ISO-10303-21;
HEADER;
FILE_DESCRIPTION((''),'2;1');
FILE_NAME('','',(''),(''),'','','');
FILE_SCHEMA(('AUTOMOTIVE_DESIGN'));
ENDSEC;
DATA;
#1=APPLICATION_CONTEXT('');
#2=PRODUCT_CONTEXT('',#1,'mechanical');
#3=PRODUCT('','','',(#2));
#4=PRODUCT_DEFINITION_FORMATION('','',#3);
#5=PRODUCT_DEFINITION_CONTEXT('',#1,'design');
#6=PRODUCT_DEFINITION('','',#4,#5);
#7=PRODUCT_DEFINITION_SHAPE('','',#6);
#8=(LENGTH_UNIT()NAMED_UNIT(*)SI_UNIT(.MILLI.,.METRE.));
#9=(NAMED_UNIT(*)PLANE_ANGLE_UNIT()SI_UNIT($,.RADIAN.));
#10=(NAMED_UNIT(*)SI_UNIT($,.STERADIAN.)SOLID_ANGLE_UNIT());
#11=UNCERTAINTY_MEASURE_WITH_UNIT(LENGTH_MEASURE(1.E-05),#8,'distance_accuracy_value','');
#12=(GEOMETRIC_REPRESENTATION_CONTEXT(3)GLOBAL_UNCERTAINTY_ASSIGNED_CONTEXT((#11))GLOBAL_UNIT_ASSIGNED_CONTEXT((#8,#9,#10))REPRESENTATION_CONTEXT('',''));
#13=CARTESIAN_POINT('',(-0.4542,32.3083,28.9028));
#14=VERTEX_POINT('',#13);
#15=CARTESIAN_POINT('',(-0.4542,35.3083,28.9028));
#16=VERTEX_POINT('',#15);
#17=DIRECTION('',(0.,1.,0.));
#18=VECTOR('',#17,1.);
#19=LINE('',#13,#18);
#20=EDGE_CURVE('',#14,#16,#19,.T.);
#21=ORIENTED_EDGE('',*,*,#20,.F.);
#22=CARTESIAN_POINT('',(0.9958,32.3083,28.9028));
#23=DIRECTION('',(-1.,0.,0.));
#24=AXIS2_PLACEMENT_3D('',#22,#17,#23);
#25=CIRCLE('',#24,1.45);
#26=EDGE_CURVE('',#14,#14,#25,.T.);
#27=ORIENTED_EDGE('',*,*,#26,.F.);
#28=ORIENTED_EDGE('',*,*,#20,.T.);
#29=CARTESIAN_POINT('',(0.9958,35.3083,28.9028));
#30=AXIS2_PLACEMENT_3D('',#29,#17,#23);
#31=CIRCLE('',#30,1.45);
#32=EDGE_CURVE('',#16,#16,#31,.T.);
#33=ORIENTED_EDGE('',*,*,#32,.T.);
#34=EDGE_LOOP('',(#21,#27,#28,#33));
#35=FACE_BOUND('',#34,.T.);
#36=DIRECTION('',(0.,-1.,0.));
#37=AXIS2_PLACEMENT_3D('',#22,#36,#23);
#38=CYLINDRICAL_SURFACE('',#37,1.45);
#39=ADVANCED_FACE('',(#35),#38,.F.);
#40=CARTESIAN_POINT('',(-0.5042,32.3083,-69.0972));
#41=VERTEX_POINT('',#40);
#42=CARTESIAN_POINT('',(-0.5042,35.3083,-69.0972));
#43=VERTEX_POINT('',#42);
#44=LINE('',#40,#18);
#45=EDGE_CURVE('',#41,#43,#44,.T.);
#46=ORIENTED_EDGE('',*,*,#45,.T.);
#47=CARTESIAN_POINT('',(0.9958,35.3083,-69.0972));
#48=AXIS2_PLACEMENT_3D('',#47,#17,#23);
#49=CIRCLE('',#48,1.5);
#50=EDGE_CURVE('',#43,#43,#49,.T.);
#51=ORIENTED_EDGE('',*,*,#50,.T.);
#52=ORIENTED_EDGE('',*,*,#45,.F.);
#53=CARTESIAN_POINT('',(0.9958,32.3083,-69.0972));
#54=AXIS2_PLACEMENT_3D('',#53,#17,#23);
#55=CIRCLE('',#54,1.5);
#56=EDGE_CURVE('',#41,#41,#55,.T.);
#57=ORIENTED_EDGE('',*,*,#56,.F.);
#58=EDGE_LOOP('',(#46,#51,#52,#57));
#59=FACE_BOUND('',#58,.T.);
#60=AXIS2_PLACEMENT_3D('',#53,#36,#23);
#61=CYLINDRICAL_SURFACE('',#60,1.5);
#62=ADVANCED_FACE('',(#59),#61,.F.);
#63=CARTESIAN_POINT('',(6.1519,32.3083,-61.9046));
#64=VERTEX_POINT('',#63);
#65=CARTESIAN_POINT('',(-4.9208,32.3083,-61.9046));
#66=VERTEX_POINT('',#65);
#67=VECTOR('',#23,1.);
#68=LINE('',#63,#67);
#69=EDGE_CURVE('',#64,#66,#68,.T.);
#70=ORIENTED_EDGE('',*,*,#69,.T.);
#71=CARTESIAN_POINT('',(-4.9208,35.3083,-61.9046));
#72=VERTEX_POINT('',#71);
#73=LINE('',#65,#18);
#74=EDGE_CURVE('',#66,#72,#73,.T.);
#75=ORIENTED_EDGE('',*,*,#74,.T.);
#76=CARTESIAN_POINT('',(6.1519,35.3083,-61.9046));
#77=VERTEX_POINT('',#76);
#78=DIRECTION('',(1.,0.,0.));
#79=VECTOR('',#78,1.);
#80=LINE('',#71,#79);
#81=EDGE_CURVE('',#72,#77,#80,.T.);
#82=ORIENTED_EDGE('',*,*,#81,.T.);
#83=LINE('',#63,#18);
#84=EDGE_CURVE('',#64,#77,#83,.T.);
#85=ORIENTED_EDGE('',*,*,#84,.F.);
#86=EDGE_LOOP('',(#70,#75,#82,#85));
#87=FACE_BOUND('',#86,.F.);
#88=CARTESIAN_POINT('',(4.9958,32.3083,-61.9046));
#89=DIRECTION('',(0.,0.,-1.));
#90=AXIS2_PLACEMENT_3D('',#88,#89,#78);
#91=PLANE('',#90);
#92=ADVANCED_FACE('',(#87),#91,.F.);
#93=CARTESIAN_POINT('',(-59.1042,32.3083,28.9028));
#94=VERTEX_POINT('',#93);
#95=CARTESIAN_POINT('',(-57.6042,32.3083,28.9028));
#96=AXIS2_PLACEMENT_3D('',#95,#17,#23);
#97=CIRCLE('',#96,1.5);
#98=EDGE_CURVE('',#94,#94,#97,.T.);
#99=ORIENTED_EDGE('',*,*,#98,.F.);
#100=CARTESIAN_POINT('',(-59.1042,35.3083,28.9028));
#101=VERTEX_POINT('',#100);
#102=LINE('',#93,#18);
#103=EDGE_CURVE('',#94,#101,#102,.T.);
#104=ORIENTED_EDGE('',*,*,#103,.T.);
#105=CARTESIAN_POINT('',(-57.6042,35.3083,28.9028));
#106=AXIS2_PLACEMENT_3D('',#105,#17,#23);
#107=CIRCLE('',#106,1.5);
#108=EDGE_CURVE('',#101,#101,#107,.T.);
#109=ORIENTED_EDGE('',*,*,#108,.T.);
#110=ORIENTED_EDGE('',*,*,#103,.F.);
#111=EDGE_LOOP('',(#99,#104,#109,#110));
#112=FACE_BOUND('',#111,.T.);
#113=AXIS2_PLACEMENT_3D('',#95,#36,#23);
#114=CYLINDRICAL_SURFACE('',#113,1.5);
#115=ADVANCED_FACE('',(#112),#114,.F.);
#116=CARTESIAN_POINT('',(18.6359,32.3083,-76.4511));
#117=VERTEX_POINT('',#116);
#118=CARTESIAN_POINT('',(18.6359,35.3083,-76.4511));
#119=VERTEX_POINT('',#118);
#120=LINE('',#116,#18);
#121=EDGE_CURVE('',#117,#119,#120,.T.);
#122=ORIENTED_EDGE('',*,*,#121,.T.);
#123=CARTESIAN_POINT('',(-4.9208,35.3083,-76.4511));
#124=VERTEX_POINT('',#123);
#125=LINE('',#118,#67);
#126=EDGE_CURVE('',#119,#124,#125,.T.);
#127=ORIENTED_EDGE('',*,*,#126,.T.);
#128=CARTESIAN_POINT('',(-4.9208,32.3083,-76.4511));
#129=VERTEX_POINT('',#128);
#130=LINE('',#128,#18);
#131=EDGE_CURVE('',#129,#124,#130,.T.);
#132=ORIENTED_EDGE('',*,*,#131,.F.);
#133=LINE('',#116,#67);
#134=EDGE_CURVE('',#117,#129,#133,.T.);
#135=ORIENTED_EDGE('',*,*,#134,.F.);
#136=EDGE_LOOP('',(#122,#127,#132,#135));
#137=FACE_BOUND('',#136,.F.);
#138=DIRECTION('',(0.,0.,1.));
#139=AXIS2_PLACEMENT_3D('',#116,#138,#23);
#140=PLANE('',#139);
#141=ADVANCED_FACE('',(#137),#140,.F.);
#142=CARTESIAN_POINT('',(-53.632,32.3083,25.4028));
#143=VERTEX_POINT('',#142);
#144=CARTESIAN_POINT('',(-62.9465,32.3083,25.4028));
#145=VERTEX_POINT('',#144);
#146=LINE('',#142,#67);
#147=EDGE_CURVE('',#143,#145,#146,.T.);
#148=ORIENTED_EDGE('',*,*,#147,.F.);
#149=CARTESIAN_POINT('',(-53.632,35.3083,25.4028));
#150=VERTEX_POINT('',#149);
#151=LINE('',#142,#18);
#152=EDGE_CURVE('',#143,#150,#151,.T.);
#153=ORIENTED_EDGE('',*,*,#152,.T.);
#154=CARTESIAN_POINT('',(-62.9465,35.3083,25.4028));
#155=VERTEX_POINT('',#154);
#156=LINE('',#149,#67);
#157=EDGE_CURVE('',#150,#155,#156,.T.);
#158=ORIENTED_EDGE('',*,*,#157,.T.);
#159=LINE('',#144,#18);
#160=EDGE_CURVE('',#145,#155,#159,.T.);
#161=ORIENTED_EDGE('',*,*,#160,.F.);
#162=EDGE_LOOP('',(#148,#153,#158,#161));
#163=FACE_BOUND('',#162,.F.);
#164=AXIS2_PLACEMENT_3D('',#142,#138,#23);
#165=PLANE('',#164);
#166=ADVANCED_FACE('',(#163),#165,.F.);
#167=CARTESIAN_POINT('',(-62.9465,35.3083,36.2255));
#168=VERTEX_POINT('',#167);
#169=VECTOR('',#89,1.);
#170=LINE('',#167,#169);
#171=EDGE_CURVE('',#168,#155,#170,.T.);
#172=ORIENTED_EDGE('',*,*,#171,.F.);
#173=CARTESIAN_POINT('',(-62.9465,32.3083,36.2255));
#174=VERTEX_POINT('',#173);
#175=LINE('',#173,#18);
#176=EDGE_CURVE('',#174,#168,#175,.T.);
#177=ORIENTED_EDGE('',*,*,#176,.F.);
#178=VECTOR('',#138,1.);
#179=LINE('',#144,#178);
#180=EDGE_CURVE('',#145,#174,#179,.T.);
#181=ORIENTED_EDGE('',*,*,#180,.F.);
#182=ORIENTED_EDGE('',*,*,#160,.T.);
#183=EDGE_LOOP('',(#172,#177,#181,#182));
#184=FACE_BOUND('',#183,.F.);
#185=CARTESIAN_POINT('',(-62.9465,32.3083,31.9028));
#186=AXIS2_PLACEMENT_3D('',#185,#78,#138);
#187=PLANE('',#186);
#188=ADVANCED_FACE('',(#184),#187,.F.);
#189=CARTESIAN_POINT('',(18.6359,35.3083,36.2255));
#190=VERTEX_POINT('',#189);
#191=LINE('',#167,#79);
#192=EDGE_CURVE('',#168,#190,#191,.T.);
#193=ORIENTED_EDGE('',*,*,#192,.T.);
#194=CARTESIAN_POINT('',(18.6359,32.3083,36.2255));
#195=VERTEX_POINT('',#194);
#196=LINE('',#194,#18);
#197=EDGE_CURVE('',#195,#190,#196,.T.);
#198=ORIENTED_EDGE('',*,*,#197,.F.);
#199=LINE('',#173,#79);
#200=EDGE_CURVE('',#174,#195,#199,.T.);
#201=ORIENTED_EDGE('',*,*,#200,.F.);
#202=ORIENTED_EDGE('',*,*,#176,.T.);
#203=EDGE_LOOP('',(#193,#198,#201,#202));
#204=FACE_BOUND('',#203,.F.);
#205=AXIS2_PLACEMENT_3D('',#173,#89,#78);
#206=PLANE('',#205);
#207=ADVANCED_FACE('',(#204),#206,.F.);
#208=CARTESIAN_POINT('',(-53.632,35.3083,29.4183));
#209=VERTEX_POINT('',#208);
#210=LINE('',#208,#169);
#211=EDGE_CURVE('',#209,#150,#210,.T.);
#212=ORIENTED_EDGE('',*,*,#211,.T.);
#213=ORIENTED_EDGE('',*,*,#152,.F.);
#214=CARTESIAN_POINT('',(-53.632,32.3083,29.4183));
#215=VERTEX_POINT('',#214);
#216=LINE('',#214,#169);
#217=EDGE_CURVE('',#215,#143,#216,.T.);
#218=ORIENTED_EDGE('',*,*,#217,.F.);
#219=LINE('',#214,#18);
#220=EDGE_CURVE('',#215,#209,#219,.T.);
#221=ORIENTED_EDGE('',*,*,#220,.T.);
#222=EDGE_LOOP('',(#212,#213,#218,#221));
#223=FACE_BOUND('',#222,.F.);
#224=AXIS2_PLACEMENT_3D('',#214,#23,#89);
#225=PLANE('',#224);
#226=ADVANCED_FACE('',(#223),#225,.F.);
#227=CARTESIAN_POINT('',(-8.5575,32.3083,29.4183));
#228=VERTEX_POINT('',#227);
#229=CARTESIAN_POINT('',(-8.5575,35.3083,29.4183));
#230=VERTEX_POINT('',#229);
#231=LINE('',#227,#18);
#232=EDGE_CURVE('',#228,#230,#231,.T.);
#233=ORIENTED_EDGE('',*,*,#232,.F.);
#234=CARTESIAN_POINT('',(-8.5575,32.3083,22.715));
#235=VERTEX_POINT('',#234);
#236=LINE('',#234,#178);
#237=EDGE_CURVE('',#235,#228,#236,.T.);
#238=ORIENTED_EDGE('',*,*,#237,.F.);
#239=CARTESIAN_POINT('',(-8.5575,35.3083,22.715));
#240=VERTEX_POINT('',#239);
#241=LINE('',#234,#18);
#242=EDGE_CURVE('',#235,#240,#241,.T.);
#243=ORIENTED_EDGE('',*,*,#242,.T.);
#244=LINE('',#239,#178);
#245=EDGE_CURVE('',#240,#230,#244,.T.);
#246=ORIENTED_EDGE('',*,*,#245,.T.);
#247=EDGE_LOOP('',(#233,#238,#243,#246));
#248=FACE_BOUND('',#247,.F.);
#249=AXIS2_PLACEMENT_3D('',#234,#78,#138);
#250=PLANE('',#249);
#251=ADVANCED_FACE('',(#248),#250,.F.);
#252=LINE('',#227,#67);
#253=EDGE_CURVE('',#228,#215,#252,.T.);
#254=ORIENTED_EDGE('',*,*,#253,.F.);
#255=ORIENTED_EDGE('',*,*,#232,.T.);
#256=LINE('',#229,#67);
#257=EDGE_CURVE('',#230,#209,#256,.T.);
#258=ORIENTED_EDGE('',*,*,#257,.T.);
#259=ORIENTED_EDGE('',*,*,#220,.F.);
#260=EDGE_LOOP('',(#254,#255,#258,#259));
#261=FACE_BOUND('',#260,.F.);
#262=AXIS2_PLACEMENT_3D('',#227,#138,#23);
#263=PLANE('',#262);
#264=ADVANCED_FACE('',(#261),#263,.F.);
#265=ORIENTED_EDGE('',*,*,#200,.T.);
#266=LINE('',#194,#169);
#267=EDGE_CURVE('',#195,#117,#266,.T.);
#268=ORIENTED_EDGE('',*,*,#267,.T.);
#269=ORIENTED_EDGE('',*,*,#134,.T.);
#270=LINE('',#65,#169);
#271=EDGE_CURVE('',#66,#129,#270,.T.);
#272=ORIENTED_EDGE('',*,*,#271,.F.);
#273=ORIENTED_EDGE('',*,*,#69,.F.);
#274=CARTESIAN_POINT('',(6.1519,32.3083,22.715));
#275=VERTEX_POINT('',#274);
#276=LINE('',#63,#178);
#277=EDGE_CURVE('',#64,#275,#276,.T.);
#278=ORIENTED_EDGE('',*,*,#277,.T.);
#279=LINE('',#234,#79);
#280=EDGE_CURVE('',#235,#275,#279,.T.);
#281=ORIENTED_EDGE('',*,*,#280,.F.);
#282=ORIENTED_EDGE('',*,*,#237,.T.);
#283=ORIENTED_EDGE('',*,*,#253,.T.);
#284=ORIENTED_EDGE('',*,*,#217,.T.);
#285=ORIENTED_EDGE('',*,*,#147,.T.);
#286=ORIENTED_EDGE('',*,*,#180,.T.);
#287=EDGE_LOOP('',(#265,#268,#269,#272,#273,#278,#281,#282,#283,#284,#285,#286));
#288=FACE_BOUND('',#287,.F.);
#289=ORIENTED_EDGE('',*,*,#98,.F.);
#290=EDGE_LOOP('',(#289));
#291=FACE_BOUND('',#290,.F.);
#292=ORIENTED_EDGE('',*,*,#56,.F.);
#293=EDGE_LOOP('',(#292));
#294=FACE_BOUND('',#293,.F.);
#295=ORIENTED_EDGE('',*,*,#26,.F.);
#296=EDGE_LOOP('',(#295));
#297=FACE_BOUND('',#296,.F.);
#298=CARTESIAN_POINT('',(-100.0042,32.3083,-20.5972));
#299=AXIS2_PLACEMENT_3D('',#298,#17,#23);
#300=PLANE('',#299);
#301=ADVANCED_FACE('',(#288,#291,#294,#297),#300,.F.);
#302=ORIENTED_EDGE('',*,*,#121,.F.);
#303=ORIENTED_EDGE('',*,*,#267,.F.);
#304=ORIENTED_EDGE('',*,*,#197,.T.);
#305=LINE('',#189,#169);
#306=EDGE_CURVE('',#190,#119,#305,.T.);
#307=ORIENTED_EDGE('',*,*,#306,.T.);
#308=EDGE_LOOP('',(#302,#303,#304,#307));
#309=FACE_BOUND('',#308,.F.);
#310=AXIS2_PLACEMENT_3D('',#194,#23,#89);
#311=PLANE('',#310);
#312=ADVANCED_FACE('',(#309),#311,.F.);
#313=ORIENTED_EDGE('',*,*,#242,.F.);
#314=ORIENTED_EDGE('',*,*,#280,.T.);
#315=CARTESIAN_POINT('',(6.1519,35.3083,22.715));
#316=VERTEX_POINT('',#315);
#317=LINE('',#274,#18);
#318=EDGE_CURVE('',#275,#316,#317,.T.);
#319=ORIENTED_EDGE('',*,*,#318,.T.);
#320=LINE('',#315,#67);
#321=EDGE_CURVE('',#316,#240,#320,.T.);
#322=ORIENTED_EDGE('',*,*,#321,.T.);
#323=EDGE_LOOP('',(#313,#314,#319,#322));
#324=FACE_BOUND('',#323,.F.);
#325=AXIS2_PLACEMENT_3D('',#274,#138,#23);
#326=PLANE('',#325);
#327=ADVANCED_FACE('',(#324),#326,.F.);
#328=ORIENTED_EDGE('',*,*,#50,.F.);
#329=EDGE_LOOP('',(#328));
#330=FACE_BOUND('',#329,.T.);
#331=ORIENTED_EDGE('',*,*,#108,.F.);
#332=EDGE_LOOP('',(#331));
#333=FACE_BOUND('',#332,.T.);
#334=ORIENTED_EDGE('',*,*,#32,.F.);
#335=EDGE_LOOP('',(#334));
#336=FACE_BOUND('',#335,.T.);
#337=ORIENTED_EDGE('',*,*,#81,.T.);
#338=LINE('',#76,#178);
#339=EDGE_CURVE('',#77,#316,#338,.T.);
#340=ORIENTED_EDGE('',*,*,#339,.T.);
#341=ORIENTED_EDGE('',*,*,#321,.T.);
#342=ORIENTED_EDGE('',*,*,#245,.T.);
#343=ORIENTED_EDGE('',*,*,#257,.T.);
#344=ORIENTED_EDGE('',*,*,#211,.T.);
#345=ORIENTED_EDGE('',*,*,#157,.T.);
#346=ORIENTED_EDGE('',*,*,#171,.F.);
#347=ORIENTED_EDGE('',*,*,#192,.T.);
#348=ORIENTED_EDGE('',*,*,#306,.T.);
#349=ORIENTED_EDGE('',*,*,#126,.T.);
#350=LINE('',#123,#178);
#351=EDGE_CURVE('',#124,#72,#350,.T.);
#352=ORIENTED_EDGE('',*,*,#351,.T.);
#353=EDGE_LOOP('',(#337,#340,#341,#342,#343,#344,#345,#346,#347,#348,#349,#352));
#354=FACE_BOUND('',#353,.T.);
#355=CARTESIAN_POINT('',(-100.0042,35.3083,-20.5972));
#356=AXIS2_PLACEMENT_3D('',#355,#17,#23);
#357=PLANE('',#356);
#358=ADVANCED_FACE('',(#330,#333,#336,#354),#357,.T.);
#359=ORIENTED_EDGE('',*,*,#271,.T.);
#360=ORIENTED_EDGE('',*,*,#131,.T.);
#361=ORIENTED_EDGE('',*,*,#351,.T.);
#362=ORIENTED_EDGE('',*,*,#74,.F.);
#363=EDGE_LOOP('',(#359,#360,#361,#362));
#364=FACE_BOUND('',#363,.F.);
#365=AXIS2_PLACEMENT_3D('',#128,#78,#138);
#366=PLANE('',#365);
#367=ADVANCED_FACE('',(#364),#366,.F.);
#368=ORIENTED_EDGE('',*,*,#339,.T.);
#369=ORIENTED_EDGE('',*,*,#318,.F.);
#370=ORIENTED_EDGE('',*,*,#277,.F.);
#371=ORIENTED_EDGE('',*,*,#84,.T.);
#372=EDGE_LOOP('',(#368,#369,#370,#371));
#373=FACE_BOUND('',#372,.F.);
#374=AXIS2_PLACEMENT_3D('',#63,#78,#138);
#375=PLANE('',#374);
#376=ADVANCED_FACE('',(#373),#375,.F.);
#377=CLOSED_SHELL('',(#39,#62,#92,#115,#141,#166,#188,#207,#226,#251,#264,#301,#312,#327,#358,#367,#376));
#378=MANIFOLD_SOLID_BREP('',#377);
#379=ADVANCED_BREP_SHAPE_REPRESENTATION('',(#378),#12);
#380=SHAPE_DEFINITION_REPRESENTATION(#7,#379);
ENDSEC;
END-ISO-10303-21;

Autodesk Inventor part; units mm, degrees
ref_plane "YZ Plane" through (0, 0, 0) normal (1, 0, 0) x (0, 1, 0)
ref_plane "XZ Plane" through (0, 0, 0) normal (0, 1, 0) x (-1, 0, 0)
ref_plane "XY Plane" through (0, 0, 0) normal (0, 0, 1) x (1, 0, 0)
ref_plane "Work Plane1" through (-100.0042, 32.3083, -20.5972) normal (0, 1, 0) x (-1, 0, 0)
sketch "Sketch2" plane through (-100.0042, 32.3083, -20.5972) normal (0, 1, 0) x (-1, 0, 0)
  line L0 (-37.0577, 56.8227) -> (-118.6401, 56.8227)
  line L1 (-118.6401, 56.8227) -> (-118.6401, -55.8539)
  line L2 (-118.6401, -55.8539) -> (-95.0834, -55.8539)
  line L3 (-95.0834, -55.8539) -> (-95.0834, -41.3074)
  line L4 (-95.0834, -41.3074) -> (-106.1561, -41.3074)
  line L5 (-106.1561, -41.3074) -> (-106.1561, 43.3122)
  line L6 (-106.1561, 43.3122) -> (-91.4467, 43.3122)
  line L7 (-105, 46) -> (-105, -52.5) projected
  line L8 (-105, -52.5) -> (105, -52.5) projected
  line L9 (105, -52.5) -> (105, 52.5) projected
  line L10 (105, 52.5) -> (-93, 52.5) projected
  line L11 (-93, 52.5) -> (-93, 48) projected
  arc A0 (-95, 46) -> (-93, 48) centre (-95, 48) ccw projected
  line L12 (-95, 46) -> (-105, 46) projected
  circle A1 centre (-101, -48.5) radius 1.5 projected
  circle A2 centre (101, -48.5) radius 2 projected
  circle A3 centre (101, 27.5) radius 2 projected
  circle A4 centre (-42.4, 49.5) radius 1.5 projected
  circle A5 centre (-101, -48.5) radius 1.5 projected
  circle A6 centre (-101, -48.5) radius 1.5 projected
  circle A7 centre (-101, -48.5) radius 1.5 projected
  circle A8 centre (-101, -48.5) radius 1.5 projected
  circle A9 centre (-101, -48.5) radius 1.5 projected
  circle A10 centre (-101, -48.5) radius 1.5 projected
  circle A11 centre (-101, -48.5) radius 1.5 projected
  circle A12 centre (-101, -48.5) radius 1.5 projected
  circle A13 centre (-101, -48.5) radius 1.5 projected
  circle A14 centre (-101, -48.5) radius 1.45
  circle A15 centre (-101, 49.5) radius 1.45
  line L13 (-91.4467, 50.0155) -> (-46.3722, 50.0155)
  line L14 (-46.3722, 50.0155) -> (-46.3722, 46)
  line L15 (-46.3722, 46) -> (-37.0577, 46)
  line L16 (-37.0577, 46) -> (-37.0577, 56.8227)
  line L17 (-91.4467, 43.3122) -> (-91.4467, 50.0155)
  circle A16 centre (-42.4, 49.5) radius 1.5
  point P0 (-100.0042, 20.5972)
  point P1 (-37.0577, 56.8227)
  dimension "d2" = 2.9
extrude "Extrusion1" add sketch "Sketch2" along normal blind 3 contours L16 L10 L11 A0 L12 L7 L6 L5 L4 L8 L3 L2 L1 L0 | L16 L15 L14 L13 L17 L6 L7 L12 A0 L11 L10 | L8 L7 L4 L3
properties part number "wzmocnienie"
